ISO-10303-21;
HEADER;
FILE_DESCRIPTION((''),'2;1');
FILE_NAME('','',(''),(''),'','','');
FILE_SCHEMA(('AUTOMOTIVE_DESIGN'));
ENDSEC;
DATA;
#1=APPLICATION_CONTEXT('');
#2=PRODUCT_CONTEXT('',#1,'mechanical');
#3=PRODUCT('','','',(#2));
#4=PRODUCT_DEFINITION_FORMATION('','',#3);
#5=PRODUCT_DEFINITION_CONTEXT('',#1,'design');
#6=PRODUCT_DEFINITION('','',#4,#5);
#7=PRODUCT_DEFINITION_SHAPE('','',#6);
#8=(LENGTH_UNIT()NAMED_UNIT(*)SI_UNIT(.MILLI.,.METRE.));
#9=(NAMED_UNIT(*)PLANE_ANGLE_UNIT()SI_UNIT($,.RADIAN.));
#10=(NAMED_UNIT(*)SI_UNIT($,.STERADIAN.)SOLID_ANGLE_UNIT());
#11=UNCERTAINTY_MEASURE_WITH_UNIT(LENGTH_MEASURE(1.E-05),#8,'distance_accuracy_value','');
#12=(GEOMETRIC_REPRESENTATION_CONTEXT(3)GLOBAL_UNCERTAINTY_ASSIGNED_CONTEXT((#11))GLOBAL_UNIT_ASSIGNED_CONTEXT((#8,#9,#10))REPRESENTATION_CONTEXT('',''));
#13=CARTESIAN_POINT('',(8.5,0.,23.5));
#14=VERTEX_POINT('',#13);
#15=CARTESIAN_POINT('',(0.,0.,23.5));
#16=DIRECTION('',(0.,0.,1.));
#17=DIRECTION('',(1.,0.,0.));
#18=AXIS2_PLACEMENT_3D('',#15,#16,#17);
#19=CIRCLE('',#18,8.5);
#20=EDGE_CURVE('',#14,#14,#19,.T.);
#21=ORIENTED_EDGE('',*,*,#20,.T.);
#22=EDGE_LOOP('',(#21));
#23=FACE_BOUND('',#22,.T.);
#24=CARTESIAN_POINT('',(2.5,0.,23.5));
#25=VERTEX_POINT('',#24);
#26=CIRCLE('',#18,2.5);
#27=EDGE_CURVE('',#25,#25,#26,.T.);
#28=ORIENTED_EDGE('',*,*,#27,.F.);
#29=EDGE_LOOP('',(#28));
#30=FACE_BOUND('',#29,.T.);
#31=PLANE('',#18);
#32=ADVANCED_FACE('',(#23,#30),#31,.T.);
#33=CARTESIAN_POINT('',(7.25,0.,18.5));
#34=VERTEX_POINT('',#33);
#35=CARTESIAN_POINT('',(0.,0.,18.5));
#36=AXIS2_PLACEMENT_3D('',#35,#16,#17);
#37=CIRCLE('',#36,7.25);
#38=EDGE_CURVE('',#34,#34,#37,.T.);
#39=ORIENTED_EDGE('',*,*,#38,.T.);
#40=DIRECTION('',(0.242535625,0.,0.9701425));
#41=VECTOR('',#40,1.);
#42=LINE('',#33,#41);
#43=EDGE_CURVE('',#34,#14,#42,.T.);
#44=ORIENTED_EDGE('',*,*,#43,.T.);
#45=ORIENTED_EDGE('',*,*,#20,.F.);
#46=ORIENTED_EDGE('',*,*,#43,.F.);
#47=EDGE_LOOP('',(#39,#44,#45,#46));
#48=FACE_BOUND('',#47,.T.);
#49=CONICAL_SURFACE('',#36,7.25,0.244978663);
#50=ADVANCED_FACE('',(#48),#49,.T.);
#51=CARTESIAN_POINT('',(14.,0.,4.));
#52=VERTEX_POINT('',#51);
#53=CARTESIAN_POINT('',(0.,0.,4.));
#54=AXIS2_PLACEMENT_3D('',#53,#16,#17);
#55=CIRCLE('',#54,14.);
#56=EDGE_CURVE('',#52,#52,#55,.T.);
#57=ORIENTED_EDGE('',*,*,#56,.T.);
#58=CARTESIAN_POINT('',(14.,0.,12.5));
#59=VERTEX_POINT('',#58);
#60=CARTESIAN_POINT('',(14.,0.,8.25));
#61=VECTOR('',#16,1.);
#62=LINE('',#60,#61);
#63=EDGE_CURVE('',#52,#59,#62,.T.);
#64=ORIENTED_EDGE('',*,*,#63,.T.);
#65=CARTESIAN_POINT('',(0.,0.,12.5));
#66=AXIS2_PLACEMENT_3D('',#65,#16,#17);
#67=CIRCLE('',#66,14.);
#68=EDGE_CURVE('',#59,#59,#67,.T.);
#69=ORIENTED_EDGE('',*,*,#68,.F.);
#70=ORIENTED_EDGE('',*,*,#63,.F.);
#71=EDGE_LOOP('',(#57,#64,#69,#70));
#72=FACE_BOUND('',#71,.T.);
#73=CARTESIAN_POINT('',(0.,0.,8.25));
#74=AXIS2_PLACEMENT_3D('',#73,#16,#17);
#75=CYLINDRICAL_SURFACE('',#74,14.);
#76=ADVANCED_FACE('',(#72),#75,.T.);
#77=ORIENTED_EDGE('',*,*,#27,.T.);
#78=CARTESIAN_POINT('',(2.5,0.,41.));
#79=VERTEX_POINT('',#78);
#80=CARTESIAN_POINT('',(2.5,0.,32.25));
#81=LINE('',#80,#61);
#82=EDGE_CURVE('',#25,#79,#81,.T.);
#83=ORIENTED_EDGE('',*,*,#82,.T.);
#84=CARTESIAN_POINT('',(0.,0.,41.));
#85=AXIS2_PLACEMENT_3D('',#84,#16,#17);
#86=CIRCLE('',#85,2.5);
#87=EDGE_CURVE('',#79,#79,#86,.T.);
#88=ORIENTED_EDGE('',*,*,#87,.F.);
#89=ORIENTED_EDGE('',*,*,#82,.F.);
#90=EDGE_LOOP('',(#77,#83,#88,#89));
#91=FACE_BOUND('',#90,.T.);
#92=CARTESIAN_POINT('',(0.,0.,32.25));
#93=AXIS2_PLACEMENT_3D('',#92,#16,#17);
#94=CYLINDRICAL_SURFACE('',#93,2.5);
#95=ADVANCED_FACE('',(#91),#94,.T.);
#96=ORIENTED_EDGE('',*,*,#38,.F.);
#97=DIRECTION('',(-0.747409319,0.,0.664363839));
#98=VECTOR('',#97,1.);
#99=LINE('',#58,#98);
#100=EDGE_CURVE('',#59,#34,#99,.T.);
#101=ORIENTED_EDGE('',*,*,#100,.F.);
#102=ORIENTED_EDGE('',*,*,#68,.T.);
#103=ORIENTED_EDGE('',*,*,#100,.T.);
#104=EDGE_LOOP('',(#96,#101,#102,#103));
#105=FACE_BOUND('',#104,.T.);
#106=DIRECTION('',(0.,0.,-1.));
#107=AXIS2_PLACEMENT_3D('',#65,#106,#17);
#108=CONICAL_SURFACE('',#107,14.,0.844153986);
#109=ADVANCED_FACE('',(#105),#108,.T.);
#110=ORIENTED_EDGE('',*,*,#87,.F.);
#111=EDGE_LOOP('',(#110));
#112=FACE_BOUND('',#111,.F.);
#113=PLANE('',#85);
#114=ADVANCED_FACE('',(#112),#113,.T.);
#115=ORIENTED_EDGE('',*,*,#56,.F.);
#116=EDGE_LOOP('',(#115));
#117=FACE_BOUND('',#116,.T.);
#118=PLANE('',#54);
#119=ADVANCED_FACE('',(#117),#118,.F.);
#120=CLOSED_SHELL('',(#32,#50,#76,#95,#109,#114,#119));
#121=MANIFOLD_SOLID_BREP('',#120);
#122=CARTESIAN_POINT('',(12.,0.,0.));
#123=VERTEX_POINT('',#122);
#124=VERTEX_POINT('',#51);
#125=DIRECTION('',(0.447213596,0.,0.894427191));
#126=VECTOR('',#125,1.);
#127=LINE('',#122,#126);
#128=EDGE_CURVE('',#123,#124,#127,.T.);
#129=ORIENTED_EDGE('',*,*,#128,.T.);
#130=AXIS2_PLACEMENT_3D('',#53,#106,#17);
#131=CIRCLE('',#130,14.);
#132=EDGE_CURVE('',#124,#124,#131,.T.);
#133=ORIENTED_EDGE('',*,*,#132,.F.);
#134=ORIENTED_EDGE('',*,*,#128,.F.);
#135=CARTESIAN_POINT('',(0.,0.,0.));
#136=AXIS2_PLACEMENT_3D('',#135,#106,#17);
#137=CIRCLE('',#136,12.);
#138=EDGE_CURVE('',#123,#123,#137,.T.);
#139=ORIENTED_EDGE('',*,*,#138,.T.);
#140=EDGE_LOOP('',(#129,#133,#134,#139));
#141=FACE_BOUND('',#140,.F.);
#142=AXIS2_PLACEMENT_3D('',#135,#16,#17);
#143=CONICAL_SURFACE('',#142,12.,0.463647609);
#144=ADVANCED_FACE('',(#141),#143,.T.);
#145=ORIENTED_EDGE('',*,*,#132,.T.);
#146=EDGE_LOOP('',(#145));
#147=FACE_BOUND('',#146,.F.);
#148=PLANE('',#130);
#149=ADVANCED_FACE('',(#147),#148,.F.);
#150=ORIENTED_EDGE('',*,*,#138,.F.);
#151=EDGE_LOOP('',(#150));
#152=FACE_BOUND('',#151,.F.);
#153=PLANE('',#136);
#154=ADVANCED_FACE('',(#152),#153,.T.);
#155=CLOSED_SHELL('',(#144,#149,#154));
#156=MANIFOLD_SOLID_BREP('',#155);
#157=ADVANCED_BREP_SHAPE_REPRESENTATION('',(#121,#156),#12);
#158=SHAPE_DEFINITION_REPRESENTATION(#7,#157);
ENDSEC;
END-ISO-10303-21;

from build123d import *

# Parameters (mm, degrees)
F0_W   = 14
F0_H   = 8.5
F0_W_2 = 2.5
F0_H_2 = 17.5


with BuildPart() as f1:
    # F0 (on Front) → F1 (revolve)
    with BuildSketch(Plane.XZ):
        Polygon((0, 4), (0, 0), (12, 0), (14, 4), align=None)
    revolve(axis=Axis((0, 0, 2), (0, 0, -1)))


with BuildPart() as f2:
    # F0 (on Front) → F2 (revolve)
    with BuildSketch(Plane.XZ):
        with Locations((7, 8.25)):
            Rectangle(F0_W, F0_H)
        Polygon((0, 18.5), (0, 12.5), (14, 12.5), (7.25, 18.5), align=None)
        Polygon((0, 23.5), (0, 18.5), (7.25, 18.5), (8.5, 23.5), (2.5, 23.5), align=None)
        with Locations((1.25, 32.25)):
            Rectangle(F0_W_2, F0_H_2)
    revolve(axis=Axis((0, 0, 32.25), (0, 0, 1)))


solid = Compound([f1.part, f2.part])
